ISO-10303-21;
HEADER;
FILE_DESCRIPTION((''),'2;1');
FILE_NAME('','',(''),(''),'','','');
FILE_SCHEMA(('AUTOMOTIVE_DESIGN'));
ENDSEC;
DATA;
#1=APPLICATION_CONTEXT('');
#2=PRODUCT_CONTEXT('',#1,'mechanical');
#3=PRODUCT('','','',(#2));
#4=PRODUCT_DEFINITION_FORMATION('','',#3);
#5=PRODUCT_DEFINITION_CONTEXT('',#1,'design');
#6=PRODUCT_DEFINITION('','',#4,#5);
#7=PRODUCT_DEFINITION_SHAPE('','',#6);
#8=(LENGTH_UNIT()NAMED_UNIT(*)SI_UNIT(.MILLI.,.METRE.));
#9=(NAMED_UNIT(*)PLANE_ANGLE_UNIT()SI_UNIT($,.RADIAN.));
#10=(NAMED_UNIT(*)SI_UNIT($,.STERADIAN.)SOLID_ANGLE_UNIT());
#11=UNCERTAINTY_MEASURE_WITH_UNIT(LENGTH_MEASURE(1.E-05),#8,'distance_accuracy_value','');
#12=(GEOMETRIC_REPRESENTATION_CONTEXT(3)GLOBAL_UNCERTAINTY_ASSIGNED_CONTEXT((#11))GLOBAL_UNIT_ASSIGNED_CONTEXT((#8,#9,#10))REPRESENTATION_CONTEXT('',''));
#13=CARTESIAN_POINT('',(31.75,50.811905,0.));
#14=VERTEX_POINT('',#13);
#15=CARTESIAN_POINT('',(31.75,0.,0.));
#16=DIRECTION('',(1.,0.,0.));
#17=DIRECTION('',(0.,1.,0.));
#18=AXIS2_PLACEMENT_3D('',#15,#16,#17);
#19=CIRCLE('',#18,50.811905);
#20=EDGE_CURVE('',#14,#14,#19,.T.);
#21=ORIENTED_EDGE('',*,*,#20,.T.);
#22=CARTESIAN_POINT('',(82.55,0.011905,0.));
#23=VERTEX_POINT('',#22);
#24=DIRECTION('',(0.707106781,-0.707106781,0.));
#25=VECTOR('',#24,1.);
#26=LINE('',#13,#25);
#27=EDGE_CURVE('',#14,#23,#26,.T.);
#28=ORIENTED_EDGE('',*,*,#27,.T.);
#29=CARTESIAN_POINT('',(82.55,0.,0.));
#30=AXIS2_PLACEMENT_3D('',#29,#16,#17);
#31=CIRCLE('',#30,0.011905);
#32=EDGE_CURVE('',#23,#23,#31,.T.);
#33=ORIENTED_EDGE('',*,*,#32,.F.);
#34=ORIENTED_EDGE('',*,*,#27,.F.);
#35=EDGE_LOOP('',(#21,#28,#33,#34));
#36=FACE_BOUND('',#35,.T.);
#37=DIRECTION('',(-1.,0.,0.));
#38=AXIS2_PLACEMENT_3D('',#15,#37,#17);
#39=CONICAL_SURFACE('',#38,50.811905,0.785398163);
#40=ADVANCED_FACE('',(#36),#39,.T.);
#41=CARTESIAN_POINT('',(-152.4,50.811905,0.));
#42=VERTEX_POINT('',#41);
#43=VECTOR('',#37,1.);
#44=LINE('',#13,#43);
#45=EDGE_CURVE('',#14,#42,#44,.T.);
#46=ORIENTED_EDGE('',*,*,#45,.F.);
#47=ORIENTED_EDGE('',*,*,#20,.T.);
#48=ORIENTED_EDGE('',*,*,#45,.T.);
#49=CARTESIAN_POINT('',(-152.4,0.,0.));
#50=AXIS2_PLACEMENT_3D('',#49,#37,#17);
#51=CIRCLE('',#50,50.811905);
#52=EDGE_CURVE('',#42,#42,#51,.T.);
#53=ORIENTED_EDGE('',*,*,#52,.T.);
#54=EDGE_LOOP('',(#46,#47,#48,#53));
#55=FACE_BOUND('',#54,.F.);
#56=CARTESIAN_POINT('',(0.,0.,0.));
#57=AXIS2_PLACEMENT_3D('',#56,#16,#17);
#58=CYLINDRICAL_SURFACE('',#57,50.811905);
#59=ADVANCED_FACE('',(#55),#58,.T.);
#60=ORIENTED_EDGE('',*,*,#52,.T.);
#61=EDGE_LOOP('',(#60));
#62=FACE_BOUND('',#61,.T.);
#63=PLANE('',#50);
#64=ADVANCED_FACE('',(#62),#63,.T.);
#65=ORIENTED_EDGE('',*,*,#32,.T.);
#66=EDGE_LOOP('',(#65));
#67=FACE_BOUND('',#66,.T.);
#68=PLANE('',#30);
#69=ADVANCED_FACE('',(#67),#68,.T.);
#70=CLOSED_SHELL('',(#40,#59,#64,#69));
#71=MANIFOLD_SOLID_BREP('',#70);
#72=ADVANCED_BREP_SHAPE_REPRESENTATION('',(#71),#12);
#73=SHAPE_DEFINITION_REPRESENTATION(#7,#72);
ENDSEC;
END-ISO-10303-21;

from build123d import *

# Parameters (mm, degrees)
F0_R      = 50.811905
F1_DEPTH  = 82.55
F2_SIZE   = 50.8
F1_FACE_R = 50.811905
F3_DEPTH  = 152.4


with BuildPart() as f1:
    # F0 (on Right) → F1 (new body)
    with BuildSketch(Plane.YZ):
        Circle(F0_R)
    extrude(amount=F1_DEPTH)

    # F2
    f2_edges = [f1.edges().sort_by_distance(p)[0] for p in [
        (82.55, -50.811905, 0),
    ]]
    chamfer(f2_edges, length=F2_SIZE)

    # F1_face (on face) → F3 (join)
    with BuildSketch(Plane(origin=(0, 0, 0), x_dir=(0, 1, 0), z_dir=(-1, 0, 0))):
        Circle(F1_FACE_R)
    extrude(amount=F3_DEPTH)


solid = f1.part
